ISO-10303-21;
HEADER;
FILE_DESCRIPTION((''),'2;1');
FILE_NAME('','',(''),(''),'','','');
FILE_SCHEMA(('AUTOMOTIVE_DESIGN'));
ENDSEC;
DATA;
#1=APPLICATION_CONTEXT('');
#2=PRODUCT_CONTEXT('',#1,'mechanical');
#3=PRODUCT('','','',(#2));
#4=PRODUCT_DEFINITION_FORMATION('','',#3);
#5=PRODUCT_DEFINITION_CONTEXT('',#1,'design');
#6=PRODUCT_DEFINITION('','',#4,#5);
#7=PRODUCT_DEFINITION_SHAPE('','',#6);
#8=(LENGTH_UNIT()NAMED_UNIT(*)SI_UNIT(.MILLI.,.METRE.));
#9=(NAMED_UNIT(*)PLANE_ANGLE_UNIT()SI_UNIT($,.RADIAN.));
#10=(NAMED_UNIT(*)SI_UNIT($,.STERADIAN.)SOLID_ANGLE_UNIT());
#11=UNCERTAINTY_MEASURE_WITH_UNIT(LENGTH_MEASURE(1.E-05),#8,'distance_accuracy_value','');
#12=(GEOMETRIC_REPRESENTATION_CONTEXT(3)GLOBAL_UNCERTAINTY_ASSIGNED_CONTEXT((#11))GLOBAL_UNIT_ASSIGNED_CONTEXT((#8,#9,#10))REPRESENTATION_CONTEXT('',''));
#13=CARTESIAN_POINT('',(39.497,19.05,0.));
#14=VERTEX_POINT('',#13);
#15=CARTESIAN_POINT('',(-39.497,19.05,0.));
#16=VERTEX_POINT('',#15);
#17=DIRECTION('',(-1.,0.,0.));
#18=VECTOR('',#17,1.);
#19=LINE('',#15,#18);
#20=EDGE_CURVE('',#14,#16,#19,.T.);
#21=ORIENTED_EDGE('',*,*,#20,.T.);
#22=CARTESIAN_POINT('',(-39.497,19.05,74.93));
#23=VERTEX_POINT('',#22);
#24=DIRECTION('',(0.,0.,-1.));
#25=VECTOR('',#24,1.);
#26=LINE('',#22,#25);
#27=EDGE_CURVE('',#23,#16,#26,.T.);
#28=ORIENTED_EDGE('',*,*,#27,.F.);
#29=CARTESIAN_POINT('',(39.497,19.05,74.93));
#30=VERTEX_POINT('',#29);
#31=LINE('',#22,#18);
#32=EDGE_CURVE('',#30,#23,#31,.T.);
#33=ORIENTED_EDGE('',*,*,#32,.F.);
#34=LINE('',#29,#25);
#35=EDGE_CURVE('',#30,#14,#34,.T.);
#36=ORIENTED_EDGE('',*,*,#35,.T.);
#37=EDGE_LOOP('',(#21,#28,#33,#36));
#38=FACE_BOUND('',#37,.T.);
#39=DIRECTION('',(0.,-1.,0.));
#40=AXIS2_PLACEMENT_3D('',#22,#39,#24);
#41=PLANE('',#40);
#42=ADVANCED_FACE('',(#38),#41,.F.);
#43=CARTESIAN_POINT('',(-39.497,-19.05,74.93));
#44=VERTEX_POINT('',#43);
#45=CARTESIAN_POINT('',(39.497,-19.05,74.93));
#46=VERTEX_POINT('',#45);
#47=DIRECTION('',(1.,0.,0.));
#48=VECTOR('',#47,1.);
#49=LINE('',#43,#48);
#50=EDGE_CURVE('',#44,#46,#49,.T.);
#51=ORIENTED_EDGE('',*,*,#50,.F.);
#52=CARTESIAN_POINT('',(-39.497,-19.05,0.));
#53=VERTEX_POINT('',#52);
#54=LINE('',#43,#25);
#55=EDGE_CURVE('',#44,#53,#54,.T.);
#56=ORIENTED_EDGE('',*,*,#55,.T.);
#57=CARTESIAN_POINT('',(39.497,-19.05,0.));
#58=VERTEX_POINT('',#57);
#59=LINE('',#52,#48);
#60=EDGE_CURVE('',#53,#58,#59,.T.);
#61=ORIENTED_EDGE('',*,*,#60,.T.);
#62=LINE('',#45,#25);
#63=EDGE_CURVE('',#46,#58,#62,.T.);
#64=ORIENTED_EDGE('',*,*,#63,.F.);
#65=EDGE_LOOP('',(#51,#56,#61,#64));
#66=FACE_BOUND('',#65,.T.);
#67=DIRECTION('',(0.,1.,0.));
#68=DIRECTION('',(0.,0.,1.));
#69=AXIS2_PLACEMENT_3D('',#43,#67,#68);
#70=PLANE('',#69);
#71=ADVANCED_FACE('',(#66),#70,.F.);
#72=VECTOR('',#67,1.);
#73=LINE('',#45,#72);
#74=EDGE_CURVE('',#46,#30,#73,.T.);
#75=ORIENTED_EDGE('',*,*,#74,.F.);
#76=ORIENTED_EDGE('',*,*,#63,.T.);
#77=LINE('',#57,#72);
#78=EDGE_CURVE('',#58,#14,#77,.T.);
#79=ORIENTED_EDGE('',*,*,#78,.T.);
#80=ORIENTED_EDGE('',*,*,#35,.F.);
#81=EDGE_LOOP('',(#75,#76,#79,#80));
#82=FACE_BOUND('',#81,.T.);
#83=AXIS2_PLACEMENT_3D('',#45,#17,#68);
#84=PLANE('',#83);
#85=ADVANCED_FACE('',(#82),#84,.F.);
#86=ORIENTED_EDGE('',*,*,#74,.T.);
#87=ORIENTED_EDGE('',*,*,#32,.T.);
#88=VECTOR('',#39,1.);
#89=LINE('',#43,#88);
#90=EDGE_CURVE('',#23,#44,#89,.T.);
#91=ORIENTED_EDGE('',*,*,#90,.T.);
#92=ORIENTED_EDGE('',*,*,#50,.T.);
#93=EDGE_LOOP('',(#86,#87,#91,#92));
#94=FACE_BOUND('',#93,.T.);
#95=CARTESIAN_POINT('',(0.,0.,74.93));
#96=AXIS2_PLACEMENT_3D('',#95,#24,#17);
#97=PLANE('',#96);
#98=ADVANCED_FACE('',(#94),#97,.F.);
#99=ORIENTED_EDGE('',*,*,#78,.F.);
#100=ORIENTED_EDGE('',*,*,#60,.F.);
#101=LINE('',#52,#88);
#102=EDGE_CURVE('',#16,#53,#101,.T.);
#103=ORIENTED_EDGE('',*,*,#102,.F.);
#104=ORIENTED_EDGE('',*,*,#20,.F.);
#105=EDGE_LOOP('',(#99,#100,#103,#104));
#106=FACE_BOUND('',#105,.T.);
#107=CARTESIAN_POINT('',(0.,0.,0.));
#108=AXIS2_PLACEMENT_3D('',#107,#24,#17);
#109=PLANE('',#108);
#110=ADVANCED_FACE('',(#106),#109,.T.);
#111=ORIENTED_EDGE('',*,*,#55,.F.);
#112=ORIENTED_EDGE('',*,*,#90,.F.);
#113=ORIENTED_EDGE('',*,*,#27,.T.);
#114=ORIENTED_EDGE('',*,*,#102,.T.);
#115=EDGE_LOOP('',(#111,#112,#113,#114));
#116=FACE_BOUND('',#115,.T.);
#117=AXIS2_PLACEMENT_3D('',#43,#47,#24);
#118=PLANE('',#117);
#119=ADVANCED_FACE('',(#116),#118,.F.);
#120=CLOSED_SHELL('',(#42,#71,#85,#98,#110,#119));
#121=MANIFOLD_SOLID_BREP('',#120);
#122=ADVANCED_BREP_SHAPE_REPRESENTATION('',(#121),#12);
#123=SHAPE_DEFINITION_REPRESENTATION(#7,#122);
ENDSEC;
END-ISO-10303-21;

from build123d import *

# Parameters (mm, degrees)
SKETCH1_W           = 78.994
SKETCH1_H           = 38.1
BOSS_EXTRUDE1_DEPTH = 74.93


with BuildPart() as part:
    # Sketch1 → Boss-Extrude1 (new body)
    with BuildSketch(Plane.XY):
        Rectangle(SKETCH1_W, SKETCH1_H)
    extrude(amount=BOSS_EXTRUDE1_DEPTH)


solid = part.part
